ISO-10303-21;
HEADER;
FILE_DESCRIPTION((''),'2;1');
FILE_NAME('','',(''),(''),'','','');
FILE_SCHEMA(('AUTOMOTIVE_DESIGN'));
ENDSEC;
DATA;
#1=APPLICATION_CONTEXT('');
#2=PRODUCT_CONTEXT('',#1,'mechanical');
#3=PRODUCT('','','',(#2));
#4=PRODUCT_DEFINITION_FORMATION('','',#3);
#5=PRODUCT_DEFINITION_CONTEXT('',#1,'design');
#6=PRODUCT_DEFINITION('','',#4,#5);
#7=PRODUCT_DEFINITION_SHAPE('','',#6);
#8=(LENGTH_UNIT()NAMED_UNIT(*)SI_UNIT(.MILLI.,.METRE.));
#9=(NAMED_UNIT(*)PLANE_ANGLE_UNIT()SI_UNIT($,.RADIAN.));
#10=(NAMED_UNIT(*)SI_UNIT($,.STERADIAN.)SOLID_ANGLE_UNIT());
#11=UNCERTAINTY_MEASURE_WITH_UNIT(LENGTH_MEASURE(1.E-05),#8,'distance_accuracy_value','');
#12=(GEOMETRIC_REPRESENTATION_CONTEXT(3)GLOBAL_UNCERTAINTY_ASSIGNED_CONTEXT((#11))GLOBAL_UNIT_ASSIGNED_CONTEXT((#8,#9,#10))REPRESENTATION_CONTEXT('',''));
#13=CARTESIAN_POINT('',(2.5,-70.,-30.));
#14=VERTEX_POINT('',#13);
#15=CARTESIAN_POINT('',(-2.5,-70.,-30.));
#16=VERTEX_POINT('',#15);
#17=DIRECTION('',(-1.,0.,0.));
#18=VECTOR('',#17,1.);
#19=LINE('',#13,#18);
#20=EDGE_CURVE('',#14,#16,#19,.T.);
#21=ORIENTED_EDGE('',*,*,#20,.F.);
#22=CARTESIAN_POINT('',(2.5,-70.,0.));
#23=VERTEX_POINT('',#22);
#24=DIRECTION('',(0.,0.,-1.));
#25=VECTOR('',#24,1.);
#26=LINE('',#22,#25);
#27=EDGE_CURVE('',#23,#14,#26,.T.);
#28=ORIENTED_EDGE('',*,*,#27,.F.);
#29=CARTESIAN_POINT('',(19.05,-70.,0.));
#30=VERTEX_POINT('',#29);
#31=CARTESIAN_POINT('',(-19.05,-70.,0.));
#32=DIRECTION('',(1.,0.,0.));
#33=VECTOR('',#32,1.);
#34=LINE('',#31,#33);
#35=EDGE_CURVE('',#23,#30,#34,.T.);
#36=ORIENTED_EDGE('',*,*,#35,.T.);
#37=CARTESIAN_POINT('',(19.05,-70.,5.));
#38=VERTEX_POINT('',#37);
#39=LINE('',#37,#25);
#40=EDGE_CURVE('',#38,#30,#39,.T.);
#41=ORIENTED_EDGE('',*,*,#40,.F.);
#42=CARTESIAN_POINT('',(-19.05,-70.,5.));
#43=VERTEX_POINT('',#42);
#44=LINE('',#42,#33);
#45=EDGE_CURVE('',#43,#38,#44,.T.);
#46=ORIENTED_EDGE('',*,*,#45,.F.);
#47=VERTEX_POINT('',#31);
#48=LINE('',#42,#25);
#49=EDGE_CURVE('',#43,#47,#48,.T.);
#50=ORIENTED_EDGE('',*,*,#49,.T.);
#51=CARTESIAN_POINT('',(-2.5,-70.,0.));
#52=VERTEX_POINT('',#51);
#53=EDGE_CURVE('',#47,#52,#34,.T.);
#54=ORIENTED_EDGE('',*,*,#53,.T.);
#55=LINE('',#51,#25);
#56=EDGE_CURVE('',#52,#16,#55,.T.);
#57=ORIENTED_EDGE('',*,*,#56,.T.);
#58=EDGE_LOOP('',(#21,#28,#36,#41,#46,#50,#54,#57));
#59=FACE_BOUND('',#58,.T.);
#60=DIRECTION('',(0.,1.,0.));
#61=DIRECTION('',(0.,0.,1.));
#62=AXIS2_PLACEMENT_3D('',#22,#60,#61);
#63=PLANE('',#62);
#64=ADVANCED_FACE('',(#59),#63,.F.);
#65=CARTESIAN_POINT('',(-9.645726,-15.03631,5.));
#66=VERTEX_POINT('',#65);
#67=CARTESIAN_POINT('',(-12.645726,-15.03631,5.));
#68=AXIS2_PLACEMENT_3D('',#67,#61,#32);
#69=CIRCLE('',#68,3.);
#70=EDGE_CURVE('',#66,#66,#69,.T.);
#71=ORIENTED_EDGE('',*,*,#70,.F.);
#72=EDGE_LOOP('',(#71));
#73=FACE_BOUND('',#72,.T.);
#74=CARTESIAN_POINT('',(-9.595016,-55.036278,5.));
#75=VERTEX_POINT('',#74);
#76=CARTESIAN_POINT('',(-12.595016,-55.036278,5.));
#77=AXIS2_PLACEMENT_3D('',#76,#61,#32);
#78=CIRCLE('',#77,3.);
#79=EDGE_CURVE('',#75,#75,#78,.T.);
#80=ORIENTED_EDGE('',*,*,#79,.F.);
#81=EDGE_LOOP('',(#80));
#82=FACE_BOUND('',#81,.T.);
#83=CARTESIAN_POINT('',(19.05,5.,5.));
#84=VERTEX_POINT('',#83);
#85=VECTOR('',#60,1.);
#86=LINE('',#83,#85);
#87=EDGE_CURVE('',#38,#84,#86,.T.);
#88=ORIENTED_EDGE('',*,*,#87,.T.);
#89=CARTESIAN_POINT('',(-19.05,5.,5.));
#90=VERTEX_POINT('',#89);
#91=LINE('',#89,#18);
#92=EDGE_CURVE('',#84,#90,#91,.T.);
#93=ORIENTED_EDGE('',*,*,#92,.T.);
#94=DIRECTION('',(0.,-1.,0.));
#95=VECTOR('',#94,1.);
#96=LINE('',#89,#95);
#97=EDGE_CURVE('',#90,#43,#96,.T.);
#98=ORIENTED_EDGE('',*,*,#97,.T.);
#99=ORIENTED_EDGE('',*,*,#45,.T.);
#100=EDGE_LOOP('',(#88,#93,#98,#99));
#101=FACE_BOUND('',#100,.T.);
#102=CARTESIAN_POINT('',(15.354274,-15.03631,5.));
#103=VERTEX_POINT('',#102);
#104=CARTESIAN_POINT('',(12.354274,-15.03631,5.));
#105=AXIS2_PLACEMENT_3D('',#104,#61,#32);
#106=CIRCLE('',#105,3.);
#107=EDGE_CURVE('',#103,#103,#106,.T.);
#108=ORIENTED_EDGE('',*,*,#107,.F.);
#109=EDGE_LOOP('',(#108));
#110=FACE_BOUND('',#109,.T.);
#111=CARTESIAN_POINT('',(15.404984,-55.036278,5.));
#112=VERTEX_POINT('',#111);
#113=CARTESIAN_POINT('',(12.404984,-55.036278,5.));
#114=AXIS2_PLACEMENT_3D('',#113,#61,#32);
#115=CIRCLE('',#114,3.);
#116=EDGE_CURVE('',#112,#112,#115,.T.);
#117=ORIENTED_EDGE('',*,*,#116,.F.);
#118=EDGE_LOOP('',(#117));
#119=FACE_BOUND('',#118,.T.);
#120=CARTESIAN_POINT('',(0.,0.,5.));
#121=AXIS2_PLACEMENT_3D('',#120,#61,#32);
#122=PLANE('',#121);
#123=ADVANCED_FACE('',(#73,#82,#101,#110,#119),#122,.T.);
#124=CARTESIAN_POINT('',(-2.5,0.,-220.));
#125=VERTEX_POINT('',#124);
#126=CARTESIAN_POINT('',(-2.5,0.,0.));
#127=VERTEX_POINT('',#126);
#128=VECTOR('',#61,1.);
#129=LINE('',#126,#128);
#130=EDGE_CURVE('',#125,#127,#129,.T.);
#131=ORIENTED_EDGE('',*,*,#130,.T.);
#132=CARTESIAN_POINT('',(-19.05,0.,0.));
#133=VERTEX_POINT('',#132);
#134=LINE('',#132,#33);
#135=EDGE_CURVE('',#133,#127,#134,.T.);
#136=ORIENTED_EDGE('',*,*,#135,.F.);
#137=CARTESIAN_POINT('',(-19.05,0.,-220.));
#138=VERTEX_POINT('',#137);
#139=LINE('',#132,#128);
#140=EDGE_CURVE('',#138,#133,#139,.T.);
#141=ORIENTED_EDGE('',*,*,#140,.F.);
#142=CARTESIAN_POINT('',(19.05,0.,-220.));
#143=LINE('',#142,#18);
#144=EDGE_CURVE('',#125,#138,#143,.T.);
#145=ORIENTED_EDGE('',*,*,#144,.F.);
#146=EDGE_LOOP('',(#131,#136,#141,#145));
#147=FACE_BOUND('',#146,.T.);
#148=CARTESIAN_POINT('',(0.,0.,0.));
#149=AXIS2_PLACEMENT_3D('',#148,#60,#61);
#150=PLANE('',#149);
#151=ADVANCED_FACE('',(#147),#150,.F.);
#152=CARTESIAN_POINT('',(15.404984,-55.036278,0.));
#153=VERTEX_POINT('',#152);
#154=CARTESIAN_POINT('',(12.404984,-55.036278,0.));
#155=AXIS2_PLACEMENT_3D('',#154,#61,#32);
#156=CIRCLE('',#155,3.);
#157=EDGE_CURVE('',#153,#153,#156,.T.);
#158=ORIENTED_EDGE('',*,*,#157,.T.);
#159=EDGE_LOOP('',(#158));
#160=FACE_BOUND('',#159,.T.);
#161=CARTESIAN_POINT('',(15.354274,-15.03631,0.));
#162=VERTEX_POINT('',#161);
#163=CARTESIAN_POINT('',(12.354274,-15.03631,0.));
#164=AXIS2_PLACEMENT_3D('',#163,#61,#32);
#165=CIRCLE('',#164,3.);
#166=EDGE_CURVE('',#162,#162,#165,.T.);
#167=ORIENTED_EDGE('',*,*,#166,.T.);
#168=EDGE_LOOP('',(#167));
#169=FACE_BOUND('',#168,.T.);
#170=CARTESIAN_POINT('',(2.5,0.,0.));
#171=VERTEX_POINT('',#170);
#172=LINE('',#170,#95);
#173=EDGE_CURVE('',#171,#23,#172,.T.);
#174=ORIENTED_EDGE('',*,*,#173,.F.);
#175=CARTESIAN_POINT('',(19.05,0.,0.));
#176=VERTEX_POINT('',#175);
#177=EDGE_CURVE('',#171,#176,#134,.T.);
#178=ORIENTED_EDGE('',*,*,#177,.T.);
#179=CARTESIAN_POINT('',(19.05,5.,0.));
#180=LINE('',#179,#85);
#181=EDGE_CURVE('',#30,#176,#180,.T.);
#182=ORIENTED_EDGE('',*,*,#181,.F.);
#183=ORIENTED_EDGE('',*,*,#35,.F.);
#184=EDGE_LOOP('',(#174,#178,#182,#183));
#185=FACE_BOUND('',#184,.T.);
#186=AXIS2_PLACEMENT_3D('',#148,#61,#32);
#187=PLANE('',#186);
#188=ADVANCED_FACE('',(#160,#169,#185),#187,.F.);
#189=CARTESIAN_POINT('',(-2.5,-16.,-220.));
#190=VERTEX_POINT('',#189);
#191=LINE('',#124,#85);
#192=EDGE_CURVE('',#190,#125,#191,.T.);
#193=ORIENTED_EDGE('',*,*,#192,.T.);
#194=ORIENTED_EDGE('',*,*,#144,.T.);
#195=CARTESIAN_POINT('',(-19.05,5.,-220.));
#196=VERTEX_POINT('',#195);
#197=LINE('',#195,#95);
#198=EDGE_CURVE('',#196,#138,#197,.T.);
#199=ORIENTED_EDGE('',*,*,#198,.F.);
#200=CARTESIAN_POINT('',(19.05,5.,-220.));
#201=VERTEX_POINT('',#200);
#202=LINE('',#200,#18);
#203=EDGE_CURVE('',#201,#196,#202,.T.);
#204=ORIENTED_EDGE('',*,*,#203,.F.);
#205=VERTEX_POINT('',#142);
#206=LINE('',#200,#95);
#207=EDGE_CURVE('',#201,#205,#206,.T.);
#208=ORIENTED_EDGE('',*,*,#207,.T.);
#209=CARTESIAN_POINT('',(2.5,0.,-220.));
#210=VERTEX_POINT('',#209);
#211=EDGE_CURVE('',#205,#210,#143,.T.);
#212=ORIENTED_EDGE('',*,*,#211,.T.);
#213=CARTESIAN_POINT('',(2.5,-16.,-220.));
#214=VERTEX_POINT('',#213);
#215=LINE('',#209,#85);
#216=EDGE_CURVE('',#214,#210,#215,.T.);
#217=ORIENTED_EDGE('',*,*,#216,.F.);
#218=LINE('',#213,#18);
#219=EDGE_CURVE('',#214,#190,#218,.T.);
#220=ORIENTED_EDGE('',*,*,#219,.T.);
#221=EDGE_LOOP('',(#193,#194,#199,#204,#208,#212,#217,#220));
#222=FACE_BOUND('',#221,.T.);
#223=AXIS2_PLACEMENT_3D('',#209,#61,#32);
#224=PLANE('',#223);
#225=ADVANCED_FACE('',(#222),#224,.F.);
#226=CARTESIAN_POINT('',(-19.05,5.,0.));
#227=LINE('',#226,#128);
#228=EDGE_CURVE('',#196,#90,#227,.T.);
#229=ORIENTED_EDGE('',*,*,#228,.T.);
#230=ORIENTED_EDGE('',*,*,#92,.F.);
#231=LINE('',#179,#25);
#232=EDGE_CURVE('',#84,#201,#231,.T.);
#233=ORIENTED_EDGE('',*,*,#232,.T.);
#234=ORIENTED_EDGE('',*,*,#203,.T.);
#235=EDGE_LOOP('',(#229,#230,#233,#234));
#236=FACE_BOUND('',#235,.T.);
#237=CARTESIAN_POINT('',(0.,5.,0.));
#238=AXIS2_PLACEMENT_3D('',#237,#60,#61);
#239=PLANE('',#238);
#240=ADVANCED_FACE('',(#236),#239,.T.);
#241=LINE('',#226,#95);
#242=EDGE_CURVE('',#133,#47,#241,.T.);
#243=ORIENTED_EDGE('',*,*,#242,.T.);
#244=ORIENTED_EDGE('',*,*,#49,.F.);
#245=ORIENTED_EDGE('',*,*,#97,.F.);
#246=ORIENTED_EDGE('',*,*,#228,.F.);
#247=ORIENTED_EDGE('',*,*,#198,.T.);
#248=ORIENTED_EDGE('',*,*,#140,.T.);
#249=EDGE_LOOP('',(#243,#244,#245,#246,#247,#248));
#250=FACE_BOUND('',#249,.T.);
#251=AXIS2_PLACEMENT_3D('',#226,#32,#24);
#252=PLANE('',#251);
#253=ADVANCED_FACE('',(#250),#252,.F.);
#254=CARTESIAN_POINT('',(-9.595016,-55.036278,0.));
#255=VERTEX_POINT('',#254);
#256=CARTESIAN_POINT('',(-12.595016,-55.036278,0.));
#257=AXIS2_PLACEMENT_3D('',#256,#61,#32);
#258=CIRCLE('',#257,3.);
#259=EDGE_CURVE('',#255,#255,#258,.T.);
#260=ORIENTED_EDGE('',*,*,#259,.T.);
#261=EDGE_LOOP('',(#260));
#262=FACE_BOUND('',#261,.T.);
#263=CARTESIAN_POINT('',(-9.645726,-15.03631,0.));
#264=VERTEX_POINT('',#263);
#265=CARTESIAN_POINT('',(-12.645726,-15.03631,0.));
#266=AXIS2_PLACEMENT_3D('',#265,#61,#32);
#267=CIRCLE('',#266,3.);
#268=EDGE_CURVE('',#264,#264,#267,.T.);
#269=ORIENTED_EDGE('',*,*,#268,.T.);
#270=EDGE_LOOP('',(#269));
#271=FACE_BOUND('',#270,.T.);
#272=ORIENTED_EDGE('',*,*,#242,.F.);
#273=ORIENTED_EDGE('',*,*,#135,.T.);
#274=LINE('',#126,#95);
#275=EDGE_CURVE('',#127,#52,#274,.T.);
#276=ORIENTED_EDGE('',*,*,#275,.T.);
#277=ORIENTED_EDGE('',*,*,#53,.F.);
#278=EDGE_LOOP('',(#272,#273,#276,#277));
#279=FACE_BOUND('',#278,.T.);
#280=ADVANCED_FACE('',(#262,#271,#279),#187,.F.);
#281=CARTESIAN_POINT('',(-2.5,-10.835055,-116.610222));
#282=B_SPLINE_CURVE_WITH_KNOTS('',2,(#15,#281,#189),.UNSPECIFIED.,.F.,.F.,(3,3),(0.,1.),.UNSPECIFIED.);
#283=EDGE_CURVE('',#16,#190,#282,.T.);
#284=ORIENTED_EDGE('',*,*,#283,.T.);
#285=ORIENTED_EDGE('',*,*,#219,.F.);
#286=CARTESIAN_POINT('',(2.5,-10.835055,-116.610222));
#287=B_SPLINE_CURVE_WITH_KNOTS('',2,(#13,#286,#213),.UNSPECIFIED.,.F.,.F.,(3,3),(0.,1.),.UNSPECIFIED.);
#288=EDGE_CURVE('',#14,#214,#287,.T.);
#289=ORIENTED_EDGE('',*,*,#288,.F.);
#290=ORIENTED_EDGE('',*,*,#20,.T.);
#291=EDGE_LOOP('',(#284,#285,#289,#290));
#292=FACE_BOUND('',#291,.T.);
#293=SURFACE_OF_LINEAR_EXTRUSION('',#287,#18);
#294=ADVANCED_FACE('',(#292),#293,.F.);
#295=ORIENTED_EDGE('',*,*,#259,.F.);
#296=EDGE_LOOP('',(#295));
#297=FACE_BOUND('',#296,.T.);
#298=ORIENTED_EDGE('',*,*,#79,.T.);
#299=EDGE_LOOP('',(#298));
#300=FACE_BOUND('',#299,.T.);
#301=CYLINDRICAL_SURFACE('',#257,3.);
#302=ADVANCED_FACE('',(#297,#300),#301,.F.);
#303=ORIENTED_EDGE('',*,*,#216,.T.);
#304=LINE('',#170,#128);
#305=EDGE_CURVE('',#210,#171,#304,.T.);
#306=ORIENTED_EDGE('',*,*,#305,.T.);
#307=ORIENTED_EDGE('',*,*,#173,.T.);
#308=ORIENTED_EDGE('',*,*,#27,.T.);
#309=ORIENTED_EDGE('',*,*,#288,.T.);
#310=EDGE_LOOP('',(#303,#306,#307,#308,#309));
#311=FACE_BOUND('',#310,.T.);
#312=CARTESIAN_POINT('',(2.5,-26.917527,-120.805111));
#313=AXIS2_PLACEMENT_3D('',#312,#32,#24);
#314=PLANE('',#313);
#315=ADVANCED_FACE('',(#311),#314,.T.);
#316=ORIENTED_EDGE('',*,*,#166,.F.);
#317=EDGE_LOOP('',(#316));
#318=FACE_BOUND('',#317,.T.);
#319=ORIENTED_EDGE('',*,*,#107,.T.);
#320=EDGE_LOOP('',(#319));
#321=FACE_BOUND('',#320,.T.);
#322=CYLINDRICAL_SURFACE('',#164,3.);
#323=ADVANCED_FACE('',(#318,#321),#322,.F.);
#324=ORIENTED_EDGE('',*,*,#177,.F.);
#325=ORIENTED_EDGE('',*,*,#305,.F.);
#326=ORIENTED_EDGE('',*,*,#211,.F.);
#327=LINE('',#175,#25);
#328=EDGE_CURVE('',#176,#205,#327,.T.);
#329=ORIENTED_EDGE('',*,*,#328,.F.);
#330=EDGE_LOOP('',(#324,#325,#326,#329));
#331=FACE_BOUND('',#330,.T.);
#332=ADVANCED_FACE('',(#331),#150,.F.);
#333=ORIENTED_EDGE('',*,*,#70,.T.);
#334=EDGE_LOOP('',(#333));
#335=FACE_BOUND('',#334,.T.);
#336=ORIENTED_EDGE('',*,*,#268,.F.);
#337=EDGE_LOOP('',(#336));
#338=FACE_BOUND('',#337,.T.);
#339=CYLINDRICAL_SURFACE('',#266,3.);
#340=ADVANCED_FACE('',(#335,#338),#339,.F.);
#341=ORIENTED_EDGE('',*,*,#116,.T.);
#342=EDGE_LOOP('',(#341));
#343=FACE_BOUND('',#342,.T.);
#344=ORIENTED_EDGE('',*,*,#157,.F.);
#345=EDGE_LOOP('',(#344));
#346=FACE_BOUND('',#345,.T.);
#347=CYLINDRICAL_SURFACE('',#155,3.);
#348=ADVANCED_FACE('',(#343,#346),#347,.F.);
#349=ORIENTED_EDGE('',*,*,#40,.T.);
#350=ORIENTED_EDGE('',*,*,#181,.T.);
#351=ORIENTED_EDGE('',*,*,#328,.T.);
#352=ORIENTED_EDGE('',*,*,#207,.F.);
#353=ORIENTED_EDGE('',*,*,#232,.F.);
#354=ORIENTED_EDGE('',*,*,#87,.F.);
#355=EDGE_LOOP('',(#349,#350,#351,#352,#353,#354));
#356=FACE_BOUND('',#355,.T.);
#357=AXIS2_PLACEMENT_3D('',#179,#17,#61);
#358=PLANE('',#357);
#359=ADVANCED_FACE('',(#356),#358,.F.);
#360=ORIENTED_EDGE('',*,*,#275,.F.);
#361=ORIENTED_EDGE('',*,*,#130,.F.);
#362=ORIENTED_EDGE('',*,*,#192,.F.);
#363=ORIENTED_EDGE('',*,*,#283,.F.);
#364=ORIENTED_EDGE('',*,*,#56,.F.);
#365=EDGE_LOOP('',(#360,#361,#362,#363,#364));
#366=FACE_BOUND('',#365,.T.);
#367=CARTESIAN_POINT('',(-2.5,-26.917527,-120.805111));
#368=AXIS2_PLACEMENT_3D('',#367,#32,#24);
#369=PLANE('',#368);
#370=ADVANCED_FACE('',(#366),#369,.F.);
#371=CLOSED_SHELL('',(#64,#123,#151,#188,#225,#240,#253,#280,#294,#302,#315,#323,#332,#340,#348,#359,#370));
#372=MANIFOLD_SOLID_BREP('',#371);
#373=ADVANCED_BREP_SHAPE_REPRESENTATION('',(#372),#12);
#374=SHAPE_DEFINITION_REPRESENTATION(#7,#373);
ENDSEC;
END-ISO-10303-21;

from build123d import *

# Parameters (mm, degrees)
SALIENTE_EXTRUIR1_DEPTH = 2.5
CROQUIS3_W              = 38.1
CROQUIS3_H              = 220
SALIENTE_EXTRUIR2_DEPTH = 5
CROQUIS4_W              = 38.1
CROQUIS4_H              = 75
SALIENTE_EXTRUIR3_DEPTH = 5
CROQUIS5_R              = 3
CORTAR_EXTRUIR1_DEPTH   = 5


with BuildPart() as part:
    # Croquis1 → Saliente-Extruir1 (new, symmetric)
    with BuildSketch(Plane(origin=(0, 0, 0), x_dir=(0, 0, -1), z_dir=(1, 0, 0))):
        with BuildLine():
            Line((0, 0), (220, 0))
            Line((220, 0), (220, -16))
            add(Edge.make_bspline(
                [(30, -70), (116.610221718, -10.835054956), (220, -16)],
                knots=[0, 0, 0, 1, 1, 1], degree=2))
            Line((30, -70), (0, -70))
            Line((0, -70), (0, 0))
        make_face()
    extrude(amount=SALIENTE_EXTRUIR1_DEPTH, both=True)

    # Croquis3 → Saliente-Extruir2 (add)
    with BuildSketch(Plane(origin=(0, 0, 0), x_dir=(1, 0, 0), z_dir=(0, 1, 0))):
        with Locations((0, 110)):
            Rectangle(CROQUIS3_W, CROQUIS3_H)
    extrude(amount=SALIENTE_EXTRUIR2_DEPTH)

    # Croquis4 → Saliente-Extruir3 (add)
    with BuildSketch(Plane.XY):
        with Locations((0, -32.5)):
            Rectangle(CROQUIS4_W, CROQUIS4_H)
    extrude(amount=SALIENTE_EXTRUIR3_DEPTH)

    # Croquis5 → Cortar-Extruir1 (cut)
    with BuildSketch(Plane.XY.offset(5)):
        with Locations((-12.645725933, -15.036309881)):
            Circle(CROQUIS5_R)
        with Locations((12.354274067, -15.036309881)):
            Circle(CROQUIS5_R)
        with Locations((-12.595015566, -55.036277737)):
            Circle(CROQUIS5_R)
        with Locations((12.404984434, -55.036277737)):
            Circle(CROQUIS5_R)
    extrude(amount=-CORTAR_EXTRUIR1_DEPTH, mode=Mode.SUBTRACT)


solid = part.part
